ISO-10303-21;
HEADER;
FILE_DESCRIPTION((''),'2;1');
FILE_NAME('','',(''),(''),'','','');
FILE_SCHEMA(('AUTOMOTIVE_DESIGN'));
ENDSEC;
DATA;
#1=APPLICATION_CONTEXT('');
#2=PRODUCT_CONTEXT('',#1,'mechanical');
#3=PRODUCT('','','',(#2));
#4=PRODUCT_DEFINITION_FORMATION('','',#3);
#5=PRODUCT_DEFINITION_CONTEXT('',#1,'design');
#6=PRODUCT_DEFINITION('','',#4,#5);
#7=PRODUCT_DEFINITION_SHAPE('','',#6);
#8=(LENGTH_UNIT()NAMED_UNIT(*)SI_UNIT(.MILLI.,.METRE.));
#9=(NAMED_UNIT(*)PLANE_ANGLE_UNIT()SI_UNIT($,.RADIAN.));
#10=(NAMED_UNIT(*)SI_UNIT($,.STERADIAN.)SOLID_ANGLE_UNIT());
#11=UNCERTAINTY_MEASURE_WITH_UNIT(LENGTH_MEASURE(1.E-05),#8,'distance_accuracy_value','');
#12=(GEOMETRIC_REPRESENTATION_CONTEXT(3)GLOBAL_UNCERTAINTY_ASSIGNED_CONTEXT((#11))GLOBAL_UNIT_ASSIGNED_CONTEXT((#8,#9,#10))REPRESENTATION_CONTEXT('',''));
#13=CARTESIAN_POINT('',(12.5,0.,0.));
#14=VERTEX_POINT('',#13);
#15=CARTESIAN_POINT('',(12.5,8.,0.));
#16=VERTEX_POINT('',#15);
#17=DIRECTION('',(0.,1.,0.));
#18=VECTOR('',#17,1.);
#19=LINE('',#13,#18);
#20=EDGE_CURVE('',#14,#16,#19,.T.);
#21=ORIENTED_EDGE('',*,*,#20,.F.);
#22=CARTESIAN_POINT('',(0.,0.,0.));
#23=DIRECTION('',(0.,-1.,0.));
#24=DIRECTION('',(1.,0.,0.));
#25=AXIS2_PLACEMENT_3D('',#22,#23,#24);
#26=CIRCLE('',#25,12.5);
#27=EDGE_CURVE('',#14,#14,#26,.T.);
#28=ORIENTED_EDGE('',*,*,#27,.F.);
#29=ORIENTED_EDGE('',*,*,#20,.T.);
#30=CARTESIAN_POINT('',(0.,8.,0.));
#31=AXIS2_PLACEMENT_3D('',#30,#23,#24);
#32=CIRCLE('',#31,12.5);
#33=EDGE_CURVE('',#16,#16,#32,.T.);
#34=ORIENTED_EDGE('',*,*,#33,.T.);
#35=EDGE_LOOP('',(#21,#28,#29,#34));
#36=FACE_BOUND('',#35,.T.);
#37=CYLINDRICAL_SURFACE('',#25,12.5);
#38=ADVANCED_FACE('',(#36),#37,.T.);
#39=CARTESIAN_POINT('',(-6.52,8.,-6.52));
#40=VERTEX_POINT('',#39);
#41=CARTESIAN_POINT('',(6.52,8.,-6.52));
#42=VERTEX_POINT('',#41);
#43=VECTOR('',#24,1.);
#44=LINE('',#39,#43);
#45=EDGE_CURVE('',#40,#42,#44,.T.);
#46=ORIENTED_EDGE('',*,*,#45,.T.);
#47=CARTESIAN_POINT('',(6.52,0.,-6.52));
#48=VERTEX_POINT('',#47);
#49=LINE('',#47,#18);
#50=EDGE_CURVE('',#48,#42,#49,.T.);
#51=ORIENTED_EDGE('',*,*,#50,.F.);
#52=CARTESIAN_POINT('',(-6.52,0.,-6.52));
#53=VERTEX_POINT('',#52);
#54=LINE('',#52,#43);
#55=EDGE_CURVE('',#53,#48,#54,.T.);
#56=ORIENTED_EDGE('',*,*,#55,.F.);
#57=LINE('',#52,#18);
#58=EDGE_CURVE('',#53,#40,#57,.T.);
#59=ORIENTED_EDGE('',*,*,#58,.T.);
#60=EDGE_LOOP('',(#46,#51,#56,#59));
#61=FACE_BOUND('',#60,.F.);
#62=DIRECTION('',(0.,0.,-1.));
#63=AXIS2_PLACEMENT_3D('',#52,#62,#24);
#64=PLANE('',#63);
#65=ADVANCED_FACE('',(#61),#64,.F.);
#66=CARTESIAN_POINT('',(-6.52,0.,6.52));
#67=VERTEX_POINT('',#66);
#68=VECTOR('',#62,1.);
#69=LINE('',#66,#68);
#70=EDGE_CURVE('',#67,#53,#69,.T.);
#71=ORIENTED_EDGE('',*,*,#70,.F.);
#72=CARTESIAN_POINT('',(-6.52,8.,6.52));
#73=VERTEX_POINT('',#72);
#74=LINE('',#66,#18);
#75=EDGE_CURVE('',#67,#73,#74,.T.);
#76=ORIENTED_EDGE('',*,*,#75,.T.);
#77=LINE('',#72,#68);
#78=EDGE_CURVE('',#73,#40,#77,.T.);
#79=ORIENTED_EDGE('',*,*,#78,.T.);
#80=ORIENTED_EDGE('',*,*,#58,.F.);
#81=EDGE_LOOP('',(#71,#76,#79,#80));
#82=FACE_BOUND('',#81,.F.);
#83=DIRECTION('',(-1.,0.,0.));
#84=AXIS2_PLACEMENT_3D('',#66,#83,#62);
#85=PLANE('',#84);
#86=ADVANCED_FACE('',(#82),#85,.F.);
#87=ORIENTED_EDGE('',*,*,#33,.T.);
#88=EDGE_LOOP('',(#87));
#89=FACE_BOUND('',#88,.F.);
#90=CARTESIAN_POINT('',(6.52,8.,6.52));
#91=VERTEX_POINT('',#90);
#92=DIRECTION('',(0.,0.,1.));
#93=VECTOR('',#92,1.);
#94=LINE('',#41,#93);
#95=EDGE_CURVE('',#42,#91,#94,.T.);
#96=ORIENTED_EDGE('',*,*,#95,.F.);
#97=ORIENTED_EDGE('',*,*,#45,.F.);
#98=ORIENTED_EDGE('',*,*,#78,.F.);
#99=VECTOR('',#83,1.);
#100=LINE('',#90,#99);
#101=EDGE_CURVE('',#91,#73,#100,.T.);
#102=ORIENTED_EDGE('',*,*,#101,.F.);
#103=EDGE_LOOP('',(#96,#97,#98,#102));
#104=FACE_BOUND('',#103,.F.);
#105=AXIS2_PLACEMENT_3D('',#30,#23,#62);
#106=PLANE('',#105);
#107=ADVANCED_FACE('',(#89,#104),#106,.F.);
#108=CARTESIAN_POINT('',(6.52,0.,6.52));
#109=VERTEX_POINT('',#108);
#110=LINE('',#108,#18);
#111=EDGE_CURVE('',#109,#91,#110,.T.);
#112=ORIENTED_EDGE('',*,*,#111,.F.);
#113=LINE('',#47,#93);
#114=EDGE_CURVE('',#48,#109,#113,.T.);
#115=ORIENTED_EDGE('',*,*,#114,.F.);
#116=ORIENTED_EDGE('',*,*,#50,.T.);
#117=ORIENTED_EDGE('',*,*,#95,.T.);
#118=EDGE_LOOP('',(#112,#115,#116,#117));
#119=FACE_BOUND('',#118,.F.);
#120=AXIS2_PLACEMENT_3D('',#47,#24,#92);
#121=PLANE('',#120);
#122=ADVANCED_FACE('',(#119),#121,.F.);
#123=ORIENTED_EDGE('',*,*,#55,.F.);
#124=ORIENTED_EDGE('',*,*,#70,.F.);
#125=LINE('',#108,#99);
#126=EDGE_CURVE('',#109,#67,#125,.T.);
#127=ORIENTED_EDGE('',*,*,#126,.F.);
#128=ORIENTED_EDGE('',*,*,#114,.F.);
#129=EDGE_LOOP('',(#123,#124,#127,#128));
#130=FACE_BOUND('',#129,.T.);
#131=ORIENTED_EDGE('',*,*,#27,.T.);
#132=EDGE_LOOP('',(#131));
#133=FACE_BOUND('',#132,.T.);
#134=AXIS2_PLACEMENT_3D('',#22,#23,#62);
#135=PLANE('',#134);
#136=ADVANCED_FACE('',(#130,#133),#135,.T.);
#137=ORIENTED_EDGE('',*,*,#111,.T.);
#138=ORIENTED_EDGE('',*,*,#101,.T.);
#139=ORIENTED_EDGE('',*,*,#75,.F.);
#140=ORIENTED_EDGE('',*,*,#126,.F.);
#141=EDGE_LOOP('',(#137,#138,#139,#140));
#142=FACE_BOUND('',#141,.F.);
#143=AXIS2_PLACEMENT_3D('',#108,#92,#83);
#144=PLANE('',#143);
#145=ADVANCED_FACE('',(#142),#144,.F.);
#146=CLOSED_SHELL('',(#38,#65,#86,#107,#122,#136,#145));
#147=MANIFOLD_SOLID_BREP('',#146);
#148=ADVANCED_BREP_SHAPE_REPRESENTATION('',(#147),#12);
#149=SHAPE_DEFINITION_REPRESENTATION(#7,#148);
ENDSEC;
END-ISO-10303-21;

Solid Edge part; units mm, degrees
sketch "Sketch1" plane through (0, 0, 0) normal (0, -1, 0) x (1, 0, 0)
  circle A0 centre (0, 0) radius 12.5
extrude "Protrusion1" add sketch "Sketch1" against normal blind 8
sketch "Sketch2" plane through (0, 0, 0) normal (0, -1, 0) x (1, 0, 0)
  line L0 (6.52, 6.52) -> (-6.52, 6.52)
  line L1 (-6.52, 6.52) -> (-6.52, -6.52)
  line L2 (-6.52, -6.52) -> (6.52, -6.52)
  line L3 (6.52, -6.52) -> (6.52, 6.52)
extrude "ExtrudedCutout_1" cut sketch "Sketch2" against normal blind 8
